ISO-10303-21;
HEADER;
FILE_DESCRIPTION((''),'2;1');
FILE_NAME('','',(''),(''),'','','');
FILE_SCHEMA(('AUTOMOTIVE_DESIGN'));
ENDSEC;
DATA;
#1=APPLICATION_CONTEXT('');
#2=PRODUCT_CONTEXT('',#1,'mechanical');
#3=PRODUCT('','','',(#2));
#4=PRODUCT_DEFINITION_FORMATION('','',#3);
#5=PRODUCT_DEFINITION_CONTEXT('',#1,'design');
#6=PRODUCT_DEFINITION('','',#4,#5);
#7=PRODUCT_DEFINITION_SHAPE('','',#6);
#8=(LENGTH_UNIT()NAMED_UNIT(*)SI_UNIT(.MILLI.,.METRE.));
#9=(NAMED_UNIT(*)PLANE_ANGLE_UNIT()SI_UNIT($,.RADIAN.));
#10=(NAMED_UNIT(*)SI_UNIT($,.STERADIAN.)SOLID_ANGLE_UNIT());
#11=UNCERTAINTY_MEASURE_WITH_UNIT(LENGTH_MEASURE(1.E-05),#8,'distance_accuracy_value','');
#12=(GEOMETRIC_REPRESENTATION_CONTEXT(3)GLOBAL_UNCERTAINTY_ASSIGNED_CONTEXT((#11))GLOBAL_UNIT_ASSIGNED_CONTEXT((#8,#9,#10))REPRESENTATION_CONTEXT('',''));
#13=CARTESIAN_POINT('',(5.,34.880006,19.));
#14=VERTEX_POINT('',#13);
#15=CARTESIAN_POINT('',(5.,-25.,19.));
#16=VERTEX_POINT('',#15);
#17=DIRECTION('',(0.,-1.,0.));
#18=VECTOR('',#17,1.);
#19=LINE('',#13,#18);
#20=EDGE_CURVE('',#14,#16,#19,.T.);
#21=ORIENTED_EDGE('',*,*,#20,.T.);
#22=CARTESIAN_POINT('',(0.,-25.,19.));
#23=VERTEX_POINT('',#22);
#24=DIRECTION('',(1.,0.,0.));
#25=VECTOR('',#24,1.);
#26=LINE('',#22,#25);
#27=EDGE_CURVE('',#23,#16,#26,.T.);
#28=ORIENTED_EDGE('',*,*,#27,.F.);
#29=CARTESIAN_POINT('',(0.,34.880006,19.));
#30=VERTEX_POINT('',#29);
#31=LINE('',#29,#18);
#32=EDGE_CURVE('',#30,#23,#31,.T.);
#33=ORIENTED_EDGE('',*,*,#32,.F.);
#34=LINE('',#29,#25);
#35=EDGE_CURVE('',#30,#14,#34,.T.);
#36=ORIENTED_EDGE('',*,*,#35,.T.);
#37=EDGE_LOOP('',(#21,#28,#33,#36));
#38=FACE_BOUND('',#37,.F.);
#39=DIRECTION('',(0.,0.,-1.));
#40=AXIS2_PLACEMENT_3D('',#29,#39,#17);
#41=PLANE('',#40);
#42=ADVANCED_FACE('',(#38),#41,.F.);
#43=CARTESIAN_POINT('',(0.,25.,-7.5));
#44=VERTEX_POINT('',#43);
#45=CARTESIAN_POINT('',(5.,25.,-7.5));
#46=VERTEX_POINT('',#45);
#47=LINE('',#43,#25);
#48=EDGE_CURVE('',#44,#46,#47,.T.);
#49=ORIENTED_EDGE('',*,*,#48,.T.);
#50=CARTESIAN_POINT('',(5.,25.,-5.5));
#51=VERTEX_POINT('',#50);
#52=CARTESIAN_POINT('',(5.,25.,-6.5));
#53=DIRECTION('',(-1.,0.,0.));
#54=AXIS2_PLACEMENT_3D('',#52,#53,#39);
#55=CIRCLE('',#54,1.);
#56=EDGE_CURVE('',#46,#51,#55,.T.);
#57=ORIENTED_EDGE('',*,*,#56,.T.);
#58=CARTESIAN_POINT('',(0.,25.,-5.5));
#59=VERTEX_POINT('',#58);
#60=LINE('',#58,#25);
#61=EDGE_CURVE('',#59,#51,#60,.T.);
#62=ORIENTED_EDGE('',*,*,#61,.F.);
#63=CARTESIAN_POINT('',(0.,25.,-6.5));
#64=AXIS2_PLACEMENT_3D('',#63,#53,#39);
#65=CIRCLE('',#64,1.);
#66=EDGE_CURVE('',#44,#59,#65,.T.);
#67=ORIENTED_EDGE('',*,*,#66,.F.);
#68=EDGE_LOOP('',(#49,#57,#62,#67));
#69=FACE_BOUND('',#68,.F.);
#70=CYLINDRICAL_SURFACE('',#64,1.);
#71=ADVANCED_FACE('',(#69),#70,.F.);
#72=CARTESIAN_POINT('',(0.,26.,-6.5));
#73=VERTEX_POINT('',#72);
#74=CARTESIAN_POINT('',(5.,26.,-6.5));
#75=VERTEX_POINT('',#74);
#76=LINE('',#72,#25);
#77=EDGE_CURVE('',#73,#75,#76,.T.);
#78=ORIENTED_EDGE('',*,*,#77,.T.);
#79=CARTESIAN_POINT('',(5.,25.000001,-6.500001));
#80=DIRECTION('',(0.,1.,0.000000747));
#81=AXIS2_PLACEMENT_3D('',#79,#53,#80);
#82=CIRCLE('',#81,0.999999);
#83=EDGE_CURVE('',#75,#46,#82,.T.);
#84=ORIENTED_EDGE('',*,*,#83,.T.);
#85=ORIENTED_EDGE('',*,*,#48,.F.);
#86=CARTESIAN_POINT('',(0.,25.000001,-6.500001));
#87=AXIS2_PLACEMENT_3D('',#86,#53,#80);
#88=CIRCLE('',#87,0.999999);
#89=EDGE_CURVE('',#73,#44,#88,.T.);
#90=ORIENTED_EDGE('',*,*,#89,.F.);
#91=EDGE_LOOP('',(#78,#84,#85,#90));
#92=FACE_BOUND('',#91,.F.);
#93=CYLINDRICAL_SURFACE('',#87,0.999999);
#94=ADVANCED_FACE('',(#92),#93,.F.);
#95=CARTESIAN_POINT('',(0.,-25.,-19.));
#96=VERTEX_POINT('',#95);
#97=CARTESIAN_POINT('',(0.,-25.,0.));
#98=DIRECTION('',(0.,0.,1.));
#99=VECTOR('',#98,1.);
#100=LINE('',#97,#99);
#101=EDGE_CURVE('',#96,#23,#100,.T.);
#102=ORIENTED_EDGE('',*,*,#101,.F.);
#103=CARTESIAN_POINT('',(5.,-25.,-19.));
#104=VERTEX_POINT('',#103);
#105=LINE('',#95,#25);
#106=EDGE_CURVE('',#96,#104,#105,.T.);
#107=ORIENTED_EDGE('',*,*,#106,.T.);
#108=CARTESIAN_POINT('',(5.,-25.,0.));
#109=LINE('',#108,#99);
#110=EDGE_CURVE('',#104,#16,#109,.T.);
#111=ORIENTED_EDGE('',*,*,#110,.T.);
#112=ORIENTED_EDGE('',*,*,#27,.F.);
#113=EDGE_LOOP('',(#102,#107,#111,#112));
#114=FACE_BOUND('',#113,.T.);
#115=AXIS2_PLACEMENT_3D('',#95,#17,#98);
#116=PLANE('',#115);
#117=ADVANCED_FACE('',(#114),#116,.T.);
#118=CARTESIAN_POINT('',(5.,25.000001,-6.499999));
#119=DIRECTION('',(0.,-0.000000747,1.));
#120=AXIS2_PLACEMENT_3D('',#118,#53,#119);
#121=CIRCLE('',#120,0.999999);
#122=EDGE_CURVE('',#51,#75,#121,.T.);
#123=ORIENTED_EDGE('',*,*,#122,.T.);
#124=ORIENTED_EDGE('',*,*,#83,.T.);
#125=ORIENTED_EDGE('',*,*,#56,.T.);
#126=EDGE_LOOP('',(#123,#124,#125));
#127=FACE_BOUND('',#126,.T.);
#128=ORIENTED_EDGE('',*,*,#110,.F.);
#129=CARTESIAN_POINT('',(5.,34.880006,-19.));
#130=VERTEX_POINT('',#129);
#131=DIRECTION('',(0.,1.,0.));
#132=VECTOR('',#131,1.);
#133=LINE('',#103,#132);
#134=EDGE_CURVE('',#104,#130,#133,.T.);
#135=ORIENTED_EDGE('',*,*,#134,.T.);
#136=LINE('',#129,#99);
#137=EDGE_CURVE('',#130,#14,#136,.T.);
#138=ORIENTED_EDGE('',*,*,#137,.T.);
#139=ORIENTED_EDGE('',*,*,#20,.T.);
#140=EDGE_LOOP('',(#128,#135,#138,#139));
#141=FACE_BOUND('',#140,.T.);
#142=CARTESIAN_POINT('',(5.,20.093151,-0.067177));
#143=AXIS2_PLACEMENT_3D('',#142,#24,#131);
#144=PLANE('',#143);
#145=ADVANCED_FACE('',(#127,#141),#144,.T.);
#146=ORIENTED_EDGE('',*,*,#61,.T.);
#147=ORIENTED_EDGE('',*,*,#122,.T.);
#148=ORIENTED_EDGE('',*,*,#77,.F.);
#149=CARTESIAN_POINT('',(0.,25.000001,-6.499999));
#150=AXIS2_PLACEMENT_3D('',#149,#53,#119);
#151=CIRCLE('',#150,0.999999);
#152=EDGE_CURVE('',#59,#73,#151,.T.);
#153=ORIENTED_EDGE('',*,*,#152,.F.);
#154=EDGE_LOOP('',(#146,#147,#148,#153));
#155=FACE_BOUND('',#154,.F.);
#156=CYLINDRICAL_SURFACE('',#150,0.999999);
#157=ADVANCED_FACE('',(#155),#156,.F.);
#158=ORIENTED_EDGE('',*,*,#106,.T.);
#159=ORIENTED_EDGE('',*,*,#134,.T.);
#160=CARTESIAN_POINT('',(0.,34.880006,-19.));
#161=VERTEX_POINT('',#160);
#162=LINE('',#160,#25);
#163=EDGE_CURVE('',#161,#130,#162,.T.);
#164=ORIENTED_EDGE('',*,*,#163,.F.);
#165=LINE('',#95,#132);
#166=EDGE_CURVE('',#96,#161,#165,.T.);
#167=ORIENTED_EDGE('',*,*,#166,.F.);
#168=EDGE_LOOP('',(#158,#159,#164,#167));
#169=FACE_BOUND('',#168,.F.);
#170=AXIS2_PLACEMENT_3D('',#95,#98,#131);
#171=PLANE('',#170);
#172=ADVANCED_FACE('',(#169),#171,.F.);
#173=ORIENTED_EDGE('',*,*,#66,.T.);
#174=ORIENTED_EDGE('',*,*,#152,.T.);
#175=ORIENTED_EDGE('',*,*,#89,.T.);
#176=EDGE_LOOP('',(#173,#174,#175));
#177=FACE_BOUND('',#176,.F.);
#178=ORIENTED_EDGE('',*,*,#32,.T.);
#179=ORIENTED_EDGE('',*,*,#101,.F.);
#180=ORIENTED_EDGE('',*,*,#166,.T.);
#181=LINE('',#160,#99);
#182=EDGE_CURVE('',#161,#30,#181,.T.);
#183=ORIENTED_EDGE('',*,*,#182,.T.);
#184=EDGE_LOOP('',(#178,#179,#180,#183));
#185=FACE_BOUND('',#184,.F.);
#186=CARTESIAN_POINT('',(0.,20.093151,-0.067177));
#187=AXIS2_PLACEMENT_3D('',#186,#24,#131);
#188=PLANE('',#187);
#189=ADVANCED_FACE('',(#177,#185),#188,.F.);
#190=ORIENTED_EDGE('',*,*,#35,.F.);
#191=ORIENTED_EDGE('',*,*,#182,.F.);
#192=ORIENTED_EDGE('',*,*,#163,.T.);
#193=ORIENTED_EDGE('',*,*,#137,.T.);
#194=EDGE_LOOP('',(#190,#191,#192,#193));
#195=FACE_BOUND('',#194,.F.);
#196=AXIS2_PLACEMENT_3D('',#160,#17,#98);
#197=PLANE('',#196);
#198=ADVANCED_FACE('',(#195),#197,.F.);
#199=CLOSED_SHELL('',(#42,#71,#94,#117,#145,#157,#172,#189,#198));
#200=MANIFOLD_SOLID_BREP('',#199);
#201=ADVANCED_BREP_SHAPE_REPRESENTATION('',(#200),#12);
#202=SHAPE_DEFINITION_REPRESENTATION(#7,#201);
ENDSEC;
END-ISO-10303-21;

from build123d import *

# Parameters (mm, degrees)
F0_W     = 40.119994
F0_H     = 38
F1_DEPTH = 5


with BuildPart() as f1:
    # F0 (on Right) → F1 (new body)
    with BuildSketch(Plane.YZ):
        with BuildLine():
            Line((15.119994, -19), (25, -19))
            Line((25, -19), (25, -7.5))
            ThreePointArc((25, -7.5), (24, -6.5), (25, -5.5))
            Line((25, -5.5), (25, 0))
            Line((25, 0), (25, 19))
            Line((25, 19), (15.119994, 19))
            Line((15.119994, 19), (15.119994, -19))
        make_face()
        with BuildLine():
            Line((25, -7.5), (25, -19))
            Line((25, -19), (34.880006, -19))
            Line((34.880006, -19), (34.880006, 19))
            Line((34.880006, 19), (25, 19))
            Line((25, 19), (25, 0))
            Line((25, 0), (25, -5.5))
            ThreePointArc((25, -5.5), (25.707107, -5.792893), (26, -6.5))
            ThreePointArc((26, -6.5), (25.707107, -7.207107), (25, -7.5))
        make_face()
        with Locations((-4.940003, 0)):
            Rectangle(F0_W, F0_H)
    extrude(amount=F1_DEPTH)


solid = f1.part
